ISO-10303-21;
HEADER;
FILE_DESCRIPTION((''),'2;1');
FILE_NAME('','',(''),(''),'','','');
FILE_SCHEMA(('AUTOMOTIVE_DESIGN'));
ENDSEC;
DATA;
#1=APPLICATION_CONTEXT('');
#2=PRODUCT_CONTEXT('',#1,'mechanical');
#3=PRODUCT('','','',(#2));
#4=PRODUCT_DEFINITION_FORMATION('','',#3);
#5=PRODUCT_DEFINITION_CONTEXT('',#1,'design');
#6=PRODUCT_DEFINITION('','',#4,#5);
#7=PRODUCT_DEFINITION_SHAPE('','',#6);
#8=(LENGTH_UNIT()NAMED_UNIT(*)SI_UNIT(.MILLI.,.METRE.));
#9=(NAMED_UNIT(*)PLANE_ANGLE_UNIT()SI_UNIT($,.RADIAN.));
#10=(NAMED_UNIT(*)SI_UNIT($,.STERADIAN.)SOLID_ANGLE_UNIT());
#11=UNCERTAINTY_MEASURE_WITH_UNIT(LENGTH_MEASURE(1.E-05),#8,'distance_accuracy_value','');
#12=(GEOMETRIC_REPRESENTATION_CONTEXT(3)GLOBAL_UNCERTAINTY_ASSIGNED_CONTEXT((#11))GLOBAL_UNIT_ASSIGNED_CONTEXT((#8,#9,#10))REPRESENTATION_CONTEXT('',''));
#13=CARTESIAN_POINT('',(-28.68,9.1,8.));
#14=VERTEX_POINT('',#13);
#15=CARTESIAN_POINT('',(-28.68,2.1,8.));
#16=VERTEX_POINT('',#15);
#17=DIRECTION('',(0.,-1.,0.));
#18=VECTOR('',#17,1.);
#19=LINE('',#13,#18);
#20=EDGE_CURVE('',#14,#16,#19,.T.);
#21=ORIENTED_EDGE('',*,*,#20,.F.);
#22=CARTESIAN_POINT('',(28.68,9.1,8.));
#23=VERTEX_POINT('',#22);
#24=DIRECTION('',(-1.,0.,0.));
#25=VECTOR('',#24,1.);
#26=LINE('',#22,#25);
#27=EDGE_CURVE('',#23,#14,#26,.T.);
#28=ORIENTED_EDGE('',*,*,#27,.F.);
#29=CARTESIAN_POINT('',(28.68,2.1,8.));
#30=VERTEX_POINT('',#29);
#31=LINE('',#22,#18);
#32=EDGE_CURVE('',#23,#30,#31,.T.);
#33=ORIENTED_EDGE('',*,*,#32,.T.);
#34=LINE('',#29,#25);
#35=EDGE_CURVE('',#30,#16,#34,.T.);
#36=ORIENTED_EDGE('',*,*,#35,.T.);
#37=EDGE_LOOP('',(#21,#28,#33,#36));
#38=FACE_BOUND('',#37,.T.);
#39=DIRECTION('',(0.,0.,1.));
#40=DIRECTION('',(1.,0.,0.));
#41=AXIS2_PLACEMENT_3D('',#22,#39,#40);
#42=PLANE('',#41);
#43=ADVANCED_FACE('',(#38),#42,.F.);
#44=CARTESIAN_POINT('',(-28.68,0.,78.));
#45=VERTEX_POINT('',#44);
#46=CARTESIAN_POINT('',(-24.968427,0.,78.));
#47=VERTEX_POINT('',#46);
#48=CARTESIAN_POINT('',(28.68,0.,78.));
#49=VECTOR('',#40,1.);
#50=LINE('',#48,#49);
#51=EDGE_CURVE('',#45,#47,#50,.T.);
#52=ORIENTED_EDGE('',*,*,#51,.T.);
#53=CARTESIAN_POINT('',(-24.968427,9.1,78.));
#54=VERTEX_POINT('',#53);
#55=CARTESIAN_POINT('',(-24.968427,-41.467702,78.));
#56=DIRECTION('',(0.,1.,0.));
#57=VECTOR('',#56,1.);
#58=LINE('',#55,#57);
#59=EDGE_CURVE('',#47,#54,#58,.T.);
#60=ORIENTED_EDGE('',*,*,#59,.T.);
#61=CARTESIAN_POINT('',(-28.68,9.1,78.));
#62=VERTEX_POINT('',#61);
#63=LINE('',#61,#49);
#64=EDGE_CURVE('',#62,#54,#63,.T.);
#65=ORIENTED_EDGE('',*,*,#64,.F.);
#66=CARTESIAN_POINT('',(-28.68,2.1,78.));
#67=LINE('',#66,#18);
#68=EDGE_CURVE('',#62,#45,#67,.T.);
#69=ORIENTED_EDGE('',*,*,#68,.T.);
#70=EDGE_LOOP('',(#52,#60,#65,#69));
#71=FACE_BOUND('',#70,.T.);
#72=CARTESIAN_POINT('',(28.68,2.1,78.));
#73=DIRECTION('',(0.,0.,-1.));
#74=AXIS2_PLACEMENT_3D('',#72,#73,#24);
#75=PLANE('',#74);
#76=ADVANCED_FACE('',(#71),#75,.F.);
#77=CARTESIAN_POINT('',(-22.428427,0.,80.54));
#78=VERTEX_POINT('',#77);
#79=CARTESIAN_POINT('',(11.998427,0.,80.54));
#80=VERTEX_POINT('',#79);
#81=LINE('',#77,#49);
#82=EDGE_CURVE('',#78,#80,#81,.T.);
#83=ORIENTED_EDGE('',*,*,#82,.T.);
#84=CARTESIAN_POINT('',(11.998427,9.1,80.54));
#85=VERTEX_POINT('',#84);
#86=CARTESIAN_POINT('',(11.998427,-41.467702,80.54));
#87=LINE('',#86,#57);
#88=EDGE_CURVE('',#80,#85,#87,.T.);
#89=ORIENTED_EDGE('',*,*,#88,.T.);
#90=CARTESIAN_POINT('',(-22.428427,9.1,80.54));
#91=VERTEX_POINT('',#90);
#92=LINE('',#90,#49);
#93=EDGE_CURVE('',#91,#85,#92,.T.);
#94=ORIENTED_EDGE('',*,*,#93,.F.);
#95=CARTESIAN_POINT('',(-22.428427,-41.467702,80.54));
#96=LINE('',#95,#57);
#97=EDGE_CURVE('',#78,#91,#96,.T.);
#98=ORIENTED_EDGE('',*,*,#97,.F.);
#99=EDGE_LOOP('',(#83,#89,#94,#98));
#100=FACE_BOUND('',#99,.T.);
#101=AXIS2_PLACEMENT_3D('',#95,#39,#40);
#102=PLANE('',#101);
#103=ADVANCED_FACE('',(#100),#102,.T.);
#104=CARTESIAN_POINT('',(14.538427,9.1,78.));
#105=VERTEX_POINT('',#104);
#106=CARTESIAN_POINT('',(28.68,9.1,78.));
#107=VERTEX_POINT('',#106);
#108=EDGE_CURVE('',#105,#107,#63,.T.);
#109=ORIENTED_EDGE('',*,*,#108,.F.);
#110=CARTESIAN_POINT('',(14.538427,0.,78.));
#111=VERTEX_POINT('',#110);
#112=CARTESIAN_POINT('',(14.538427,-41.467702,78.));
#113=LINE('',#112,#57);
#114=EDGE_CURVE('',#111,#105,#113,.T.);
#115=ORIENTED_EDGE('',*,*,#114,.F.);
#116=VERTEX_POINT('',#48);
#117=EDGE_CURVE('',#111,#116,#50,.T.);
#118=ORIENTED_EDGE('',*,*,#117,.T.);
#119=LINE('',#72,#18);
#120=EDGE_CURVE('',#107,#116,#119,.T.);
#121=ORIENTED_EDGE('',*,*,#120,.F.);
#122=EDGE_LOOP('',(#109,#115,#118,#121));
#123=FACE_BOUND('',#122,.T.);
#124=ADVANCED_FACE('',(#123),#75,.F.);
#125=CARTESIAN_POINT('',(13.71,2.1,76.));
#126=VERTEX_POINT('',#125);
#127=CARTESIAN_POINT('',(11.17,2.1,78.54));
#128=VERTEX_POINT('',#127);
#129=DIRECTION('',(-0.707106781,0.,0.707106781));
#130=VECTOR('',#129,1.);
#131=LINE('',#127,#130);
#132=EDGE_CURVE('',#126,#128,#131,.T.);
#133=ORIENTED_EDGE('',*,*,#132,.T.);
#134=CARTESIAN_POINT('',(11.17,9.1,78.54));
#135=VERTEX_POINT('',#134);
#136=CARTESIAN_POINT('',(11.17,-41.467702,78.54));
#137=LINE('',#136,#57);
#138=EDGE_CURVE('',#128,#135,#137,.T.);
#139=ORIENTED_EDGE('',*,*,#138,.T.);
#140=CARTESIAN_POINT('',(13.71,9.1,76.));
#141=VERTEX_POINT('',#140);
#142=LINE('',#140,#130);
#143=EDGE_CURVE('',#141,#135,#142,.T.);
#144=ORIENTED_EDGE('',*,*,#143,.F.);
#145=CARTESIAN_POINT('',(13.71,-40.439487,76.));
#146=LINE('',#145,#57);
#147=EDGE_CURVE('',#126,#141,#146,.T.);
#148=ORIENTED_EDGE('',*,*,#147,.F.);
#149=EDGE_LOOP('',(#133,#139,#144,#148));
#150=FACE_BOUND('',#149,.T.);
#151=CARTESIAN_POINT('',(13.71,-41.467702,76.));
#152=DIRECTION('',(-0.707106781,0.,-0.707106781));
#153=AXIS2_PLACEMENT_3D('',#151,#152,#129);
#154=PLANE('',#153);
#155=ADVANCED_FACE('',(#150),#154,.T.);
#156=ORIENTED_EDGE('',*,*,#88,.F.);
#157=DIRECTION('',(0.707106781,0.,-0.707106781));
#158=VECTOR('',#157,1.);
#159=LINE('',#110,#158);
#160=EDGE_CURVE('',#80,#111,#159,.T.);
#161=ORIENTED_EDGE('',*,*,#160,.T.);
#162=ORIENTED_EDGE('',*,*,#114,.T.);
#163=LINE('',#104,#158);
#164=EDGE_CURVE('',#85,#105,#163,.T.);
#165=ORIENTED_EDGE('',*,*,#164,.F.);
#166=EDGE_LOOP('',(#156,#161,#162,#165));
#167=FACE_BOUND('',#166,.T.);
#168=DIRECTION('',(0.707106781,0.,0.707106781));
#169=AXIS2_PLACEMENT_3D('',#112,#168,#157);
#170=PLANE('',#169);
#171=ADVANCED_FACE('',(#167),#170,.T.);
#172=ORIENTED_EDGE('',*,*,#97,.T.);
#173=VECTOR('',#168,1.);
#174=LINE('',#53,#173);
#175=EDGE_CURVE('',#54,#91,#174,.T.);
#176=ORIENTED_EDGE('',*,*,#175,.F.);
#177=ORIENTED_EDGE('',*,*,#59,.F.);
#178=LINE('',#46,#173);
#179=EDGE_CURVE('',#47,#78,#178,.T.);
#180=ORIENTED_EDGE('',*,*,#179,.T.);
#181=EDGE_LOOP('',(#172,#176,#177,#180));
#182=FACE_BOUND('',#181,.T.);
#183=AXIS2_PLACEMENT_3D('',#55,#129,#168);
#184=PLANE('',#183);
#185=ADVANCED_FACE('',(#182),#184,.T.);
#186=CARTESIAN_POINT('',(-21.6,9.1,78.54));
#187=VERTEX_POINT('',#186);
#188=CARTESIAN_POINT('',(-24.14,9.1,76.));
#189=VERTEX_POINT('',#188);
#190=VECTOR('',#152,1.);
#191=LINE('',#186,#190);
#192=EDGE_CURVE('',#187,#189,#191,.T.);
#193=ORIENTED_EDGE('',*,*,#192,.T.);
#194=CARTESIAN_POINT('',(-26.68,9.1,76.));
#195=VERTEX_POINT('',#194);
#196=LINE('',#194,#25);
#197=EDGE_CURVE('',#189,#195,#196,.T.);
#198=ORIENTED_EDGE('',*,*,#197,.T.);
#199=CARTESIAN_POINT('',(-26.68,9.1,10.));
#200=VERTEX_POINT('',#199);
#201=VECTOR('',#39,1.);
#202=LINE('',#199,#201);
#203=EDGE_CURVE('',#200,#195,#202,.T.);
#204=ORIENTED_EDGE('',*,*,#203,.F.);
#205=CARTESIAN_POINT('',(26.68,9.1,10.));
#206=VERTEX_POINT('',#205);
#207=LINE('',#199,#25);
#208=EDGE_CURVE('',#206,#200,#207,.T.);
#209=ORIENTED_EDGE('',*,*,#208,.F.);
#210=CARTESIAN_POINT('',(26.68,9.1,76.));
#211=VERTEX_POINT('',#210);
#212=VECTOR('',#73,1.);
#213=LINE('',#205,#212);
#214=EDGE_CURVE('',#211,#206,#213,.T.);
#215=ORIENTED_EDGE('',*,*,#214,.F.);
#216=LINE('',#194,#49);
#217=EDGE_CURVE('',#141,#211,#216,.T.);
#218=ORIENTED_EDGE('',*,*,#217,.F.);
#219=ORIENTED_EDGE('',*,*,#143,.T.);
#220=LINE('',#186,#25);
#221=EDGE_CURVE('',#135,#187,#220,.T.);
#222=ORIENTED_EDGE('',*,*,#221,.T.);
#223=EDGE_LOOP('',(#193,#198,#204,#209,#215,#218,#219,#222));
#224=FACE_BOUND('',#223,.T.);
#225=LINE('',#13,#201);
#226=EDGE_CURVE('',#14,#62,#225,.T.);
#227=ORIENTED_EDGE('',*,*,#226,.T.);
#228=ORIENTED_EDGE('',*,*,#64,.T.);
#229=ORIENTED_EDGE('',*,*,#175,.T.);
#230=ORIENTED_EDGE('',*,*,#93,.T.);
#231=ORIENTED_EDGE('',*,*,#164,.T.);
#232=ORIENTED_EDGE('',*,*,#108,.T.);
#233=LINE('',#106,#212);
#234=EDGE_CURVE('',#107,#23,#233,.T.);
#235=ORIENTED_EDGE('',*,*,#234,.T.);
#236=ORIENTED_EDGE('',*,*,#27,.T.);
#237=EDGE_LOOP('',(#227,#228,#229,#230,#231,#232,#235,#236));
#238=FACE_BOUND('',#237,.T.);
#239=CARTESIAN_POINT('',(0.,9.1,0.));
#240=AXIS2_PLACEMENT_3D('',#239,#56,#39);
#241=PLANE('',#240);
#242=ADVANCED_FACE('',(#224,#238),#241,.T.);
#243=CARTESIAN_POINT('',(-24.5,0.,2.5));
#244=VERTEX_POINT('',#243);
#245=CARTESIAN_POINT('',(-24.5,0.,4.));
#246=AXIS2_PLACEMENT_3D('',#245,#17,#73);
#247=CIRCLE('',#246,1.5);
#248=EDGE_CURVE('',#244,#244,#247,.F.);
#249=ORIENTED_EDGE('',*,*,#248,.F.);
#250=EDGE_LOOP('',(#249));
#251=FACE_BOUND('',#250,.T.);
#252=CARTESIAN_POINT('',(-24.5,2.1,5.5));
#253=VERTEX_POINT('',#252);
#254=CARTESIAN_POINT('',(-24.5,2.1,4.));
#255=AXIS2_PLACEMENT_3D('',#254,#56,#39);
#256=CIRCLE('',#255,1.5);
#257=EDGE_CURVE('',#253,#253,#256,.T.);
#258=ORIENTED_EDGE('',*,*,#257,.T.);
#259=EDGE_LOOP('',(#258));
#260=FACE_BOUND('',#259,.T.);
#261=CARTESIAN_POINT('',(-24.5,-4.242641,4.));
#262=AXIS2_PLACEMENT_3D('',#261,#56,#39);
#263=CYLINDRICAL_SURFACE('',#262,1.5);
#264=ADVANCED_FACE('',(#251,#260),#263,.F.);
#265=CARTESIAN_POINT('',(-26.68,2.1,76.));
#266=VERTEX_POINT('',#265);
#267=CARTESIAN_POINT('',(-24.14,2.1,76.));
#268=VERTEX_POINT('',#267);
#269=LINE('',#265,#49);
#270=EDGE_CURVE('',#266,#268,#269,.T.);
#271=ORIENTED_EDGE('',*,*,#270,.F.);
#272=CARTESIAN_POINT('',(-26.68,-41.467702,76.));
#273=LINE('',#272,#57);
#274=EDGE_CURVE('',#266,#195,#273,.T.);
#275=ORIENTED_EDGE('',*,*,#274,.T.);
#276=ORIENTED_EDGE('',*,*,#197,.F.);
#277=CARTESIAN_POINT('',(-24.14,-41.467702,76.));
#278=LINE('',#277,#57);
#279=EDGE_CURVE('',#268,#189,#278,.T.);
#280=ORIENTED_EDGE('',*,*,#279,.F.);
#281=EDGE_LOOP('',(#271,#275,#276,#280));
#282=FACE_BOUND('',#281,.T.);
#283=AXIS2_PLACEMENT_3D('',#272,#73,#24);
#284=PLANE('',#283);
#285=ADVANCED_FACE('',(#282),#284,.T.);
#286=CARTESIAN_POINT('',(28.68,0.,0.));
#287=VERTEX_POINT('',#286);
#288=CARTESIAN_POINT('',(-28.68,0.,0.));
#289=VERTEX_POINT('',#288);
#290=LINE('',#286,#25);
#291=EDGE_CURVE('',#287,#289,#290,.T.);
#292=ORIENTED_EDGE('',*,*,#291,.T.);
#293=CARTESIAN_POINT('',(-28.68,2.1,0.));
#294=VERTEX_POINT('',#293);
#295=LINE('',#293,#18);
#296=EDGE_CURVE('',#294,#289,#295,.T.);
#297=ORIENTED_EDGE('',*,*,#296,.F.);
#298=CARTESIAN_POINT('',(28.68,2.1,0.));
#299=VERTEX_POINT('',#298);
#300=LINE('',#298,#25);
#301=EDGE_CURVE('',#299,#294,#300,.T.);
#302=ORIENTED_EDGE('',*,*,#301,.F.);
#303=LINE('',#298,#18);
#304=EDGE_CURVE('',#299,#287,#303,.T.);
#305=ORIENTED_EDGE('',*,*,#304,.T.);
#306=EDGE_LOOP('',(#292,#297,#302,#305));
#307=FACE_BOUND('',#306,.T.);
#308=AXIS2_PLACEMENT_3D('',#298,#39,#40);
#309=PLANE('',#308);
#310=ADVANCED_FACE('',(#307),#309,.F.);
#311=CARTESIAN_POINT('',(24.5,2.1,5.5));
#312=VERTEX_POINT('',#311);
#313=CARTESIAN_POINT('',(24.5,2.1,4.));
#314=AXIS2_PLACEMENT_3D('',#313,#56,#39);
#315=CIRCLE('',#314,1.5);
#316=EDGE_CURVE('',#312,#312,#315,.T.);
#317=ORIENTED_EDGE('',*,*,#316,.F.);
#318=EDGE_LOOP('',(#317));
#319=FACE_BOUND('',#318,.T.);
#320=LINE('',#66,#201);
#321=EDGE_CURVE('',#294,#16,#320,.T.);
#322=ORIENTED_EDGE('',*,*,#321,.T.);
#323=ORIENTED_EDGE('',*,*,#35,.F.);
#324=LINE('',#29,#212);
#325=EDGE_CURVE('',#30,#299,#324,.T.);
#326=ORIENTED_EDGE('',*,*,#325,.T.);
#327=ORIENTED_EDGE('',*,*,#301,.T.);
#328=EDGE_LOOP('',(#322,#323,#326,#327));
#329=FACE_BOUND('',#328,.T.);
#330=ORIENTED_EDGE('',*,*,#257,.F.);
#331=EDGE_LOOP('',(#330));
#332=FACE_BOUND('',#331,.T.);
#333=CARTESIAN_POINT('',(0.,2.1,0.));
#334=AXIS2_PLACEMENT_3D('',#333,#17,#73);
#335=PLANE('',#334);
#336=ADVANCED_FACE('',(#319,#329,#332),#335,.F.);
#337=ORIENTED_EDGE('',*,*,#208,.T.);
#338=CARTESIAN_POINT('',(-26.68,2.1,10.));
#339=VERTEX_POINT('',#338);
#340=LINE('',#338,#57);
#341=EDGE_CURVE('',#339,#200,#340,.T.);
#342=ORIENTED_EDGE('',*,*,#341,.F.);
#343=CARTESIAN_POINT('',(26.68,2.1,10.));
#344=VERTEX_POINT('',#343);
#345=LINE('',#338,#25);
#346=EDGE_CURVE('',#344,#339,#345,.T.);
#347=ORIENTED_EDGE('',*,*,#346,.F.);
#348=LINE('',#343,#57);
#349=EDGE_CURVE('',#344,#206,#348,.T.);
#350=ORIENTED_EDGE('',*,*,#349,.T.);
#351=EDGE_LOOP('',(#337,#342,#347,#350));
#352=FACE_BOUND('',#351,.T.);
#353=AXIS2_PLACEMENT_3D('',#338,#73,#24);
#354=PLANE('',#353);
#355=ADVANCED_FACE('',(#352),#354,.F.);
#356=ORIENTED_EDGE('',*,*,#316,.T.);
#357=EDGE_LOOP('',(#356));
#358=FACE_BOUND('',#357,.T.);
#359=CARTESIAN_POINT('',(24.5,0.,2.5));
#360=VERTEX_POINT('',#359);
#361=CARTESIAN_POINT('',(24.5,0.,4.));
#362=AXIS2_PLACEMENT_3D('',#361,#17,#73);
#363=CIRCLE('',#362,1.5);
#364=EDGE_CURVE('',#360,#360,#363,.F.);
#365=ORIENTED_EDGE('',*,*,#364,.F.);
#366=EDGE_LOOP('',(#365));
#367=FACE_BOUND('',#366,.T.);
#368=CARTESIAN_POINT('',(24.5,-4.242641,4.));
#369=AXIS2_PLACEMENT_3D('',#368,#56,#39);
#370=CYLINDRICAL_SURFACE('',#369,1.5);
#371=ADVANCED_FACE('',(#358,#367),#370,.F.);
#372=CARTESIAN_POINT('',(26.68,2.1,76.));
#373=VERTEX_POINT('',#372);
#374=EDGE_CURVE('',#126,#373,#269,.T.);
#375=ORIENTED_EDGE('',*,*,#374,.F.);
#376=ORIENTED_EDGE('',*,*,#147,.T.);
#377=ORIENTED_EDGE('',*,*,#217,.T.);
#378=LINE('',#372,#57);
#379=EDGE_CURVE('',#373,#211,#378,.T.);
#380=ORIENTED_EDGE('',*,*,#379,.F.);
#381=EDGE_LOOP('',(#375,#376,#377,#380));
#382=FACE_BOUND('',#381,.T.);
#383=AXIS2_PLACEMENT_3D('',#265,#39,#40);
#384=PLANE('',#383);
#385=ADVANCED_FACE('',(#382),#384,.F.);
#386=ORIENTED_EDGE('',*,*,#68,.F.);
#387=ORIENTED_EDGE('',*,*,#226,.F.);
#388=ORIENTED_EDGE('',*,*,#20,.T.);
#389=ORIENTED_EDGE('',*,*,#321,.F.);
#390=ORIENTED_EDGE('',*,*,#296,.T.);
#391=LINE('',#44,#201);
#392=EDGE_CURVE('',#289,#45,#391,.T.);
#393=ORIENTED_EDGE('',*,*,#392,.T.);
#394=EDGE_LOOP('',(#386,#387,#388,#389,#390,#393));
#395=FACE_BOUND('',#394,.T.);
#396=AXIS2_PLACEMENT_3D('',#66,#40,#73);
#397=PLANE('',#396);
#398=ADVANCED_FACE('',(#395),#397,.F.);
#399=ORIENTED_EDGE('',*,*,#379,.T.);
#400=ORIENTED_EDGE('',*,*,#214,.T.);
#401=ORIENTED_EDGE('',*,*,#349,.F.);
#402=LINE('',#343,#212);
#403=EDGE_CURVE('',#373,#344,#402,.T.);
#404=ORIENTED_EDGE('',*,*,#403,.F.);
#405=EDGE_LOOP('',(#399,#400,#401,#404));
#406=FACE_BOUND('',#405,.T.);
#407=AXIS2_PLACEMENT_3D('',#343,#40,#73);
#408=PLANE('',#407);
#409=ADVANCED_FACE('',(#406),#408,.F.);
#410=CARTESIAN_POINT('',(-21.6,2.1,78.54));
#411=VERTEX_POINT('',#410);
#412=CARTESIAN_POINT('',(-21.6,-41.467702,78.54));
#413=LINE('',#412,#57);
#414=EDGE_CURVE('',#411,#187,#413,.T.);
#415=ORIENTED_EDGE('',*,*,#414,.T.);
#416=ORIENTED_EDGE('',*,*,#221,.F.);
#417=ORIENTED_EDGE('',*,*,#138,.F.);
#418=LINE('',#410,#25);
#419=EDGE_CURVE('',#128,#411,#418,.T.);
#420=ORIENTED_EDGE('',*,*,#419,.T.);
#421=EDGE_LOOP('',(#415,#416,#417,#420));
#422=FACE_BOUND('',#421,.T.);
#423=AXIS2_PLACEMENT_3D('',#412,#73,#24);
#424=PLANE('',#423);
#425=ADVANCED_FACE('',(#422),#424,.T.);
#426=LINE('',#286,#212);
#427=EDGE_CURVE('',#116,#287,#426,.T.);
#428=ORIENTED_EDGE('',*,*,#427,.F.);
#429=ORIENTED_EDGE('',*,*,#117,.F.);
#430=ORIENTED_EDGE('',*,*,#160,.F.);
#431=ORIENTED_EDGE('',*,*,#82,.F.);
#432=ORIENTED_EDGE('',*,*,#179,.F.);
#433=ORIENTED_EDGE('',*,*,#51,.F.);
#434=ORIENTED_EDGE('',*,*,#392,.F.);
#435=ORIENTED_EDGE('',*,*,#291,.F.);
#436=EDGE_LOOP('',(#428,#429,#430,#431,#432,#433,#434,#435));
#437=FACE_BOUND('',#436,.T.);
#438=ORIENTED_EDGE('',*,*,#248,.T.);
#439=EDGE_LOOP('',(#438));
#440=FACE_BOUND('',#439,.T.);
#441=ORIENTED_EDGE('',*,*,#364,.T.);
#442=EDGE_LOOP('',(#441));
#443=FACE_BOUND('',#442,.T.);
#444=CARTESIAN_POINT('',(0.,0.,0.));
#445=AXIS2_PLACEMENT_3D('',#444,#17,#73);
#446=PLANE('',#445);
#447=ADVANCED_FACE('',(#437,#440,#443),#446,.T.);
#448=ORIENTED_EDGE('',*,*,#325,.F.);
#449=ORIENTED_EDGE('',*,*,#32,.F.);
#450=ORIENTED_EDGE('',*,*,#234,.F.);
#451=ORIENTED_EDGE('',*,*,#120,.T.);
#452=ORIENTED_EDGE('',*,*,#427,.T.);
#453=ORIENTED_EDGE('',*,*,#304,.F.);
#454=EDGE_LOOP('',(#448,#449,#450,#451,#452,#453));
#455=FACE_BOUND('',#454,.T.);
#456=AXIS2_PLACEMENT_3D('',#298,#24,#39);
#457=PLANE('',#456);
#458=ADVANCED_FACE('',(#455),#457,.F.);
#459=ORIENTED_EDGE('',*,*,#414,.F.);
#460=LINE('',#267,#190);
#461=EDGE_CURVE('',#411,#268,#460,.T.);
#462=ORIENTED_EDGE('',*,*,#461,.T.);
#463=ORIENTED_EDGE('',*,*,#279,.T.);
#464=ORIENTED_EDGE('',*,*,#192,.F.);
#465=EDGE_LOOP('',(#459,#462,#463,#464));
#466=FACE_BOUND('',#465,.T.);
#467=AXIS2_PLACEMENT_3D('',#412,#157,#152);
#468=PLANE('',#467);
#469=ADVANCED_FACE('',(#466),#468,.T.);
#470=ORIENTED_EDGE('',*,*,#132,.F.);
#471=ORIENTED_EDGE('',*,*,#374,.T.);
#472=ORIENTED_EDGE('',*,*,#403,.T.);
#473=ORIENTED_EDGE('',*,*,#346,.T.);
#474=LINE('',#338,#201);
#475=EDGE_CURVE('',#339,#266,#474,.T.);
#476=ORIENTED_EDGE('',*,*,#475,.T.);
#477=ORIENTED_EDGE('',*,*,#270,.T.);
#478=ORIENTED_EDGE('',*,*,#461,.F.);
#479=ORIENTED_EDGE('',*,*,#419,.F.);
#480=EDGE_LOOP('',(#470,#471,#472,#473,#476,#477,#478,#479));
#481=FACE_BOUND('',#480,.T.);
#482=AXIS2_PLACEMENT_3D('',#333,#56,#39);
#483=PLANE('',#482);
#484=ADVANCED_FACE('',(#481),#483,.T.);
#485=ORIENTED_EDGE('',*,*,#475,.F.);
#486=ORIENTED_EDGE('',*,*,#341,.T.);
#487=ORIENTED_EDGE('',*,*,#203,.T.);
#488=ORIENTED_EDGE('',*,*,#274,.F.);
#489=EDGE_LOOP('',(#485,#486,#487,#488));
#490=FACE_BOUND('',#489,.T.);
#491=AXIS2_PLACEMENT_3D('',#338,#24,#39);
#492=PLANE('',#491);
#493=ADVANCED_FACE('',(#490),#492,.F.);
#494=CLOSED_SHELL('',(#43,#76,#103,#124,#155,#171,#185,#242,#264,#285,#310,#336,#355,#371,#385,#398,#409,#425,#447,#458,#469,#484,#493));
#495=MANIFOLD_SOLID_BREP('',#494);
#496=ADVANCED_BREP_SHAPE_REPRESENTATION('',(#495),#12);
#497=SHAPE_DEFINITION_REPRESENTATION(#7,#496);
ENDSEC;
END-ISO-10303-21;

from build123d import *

# Parameters (mm, degrees)
BOSS_EXTRUDE1_DEPTH = 2.1
SKETCH2_W           = 57.36
SKETCH2_H           = 70
BOSS_EXTRUDE2_DEPTH = 7
SKETCH3_W           = 53.36
SKETCH3_H           = 66
CUT_EXTRUDE1_DEPTH  = 7
SKETCH4_R           = 1.5
CUT_EXTRUDE2_DEPTH  = 2.1
SKETCH6_W           = 40.39
SKETCH6_H           = 2
CUT_EXTRUDE3_DEPTH  = 9.1
BOSS_EXTRUDE3_DEPTH = 9.1
BOSS_EXTRUDE4_DEPTH = 2.1


with BuildPart() as part:
    # Sketch1 → Boss-Extrude1 (new body)
    with BuildSketch(Plane(origin=(0, 0, 0), x_dir=(1, 0, 0), z_dir=(0, 1, 0))):
        Polygon((28.68, 0), (28.68, -8), (28.68, -78), (-28.68, -78), (-28.68, 0), align=None)
    extrude(amount=BOSS_EXTRUDE1_DEPTH)

    # Sketch2 → Boss-Extrude2 (add)
    with BuildSketch(Plane(origin=(0, 2.1, 0), x_dir=(1, 0, 0), z_dir=(0, 1, 0))):
        with Locations((0, -43)):
            Rectangle(SKETCH2_W, SKETCH2_H)
    extrude(amount=BOSS_EXTRUDE2_DEPTH)

    # Sketch3 → Cut-Extrude1 (cut)
    with BuildSketch(Plane(origin=(0, 9.1, 0), x_dir=(1, 0, 0), z_dir=(0, 1, 0))):
        with Locations((0, -43)):
            Rectangle(SKETCH3_W, SKETCH3_H)
    extrude(amount=-CUT_EXTRUDE1_DEPTH, mode=Mode.SUBTRACT)

    # Sketch4 → Cut-Extrude2 (cut)
    with BuildSketch(Plane(origin=(0, 2.1, 0), x_dir=(1, 0, 0), z_dir=(0, 1, 0))):
        with Locations((24.5, -4)):
            Circle(SKETCH4_R)
        with Locations((-24.5, -4)):
            Circle(SKETCH4_R)
    extrude(amount=-CUT_EXTRUDE2_DEPTH, mode=Mode.SUBTRACT)

    # Sketch6 → Cut-Extrude3 (cut)
    with BuildSketch(Plane(origin=(0, 9.1, 0), x_dir=(1, 0, 0), z_dir=(0, 1, 0))):
        with Locations((-6.485, -77)):
            Rectangle(SKETCH6_W, SKETCH6_H)
    extrude(amount=-CUT_EXTRUDE3_DEPTH, mode=Mode.SUBTRACT)

    # Sketch5 → Boss-Extrude3 (add)
    with BuildSketch(Plane(origin=(0, 9.1, 0), x_dir=(1, 0, 0), z_dir=(0, 1, 0))):
        Polygon((-26.68, -76), (-24.14, -76), (-21.6, -78.54), (11.17, -78.54), (13.71, -76), (14.538427125, -76), (14.538427125, -78), (11.998427125, -80.54), (-22.428427125, -80.54), (-24.968427125, -78), (-26.68, -78), align=None)
    extrude(amount=-BOSS_EXTRUDE3_DEPTH)

    # Sketch7 → Boss-Extrude4 (add)
    with BuildSketch(Plane.XZ):
        Polygon((13.71, 76), (-24.14, 76), (-21.6, 78.54), (11.17, 78.54), align=None)
    extrude(amount=-BOSS_EXTRUDE4_DEPTH)


solid = part.part
